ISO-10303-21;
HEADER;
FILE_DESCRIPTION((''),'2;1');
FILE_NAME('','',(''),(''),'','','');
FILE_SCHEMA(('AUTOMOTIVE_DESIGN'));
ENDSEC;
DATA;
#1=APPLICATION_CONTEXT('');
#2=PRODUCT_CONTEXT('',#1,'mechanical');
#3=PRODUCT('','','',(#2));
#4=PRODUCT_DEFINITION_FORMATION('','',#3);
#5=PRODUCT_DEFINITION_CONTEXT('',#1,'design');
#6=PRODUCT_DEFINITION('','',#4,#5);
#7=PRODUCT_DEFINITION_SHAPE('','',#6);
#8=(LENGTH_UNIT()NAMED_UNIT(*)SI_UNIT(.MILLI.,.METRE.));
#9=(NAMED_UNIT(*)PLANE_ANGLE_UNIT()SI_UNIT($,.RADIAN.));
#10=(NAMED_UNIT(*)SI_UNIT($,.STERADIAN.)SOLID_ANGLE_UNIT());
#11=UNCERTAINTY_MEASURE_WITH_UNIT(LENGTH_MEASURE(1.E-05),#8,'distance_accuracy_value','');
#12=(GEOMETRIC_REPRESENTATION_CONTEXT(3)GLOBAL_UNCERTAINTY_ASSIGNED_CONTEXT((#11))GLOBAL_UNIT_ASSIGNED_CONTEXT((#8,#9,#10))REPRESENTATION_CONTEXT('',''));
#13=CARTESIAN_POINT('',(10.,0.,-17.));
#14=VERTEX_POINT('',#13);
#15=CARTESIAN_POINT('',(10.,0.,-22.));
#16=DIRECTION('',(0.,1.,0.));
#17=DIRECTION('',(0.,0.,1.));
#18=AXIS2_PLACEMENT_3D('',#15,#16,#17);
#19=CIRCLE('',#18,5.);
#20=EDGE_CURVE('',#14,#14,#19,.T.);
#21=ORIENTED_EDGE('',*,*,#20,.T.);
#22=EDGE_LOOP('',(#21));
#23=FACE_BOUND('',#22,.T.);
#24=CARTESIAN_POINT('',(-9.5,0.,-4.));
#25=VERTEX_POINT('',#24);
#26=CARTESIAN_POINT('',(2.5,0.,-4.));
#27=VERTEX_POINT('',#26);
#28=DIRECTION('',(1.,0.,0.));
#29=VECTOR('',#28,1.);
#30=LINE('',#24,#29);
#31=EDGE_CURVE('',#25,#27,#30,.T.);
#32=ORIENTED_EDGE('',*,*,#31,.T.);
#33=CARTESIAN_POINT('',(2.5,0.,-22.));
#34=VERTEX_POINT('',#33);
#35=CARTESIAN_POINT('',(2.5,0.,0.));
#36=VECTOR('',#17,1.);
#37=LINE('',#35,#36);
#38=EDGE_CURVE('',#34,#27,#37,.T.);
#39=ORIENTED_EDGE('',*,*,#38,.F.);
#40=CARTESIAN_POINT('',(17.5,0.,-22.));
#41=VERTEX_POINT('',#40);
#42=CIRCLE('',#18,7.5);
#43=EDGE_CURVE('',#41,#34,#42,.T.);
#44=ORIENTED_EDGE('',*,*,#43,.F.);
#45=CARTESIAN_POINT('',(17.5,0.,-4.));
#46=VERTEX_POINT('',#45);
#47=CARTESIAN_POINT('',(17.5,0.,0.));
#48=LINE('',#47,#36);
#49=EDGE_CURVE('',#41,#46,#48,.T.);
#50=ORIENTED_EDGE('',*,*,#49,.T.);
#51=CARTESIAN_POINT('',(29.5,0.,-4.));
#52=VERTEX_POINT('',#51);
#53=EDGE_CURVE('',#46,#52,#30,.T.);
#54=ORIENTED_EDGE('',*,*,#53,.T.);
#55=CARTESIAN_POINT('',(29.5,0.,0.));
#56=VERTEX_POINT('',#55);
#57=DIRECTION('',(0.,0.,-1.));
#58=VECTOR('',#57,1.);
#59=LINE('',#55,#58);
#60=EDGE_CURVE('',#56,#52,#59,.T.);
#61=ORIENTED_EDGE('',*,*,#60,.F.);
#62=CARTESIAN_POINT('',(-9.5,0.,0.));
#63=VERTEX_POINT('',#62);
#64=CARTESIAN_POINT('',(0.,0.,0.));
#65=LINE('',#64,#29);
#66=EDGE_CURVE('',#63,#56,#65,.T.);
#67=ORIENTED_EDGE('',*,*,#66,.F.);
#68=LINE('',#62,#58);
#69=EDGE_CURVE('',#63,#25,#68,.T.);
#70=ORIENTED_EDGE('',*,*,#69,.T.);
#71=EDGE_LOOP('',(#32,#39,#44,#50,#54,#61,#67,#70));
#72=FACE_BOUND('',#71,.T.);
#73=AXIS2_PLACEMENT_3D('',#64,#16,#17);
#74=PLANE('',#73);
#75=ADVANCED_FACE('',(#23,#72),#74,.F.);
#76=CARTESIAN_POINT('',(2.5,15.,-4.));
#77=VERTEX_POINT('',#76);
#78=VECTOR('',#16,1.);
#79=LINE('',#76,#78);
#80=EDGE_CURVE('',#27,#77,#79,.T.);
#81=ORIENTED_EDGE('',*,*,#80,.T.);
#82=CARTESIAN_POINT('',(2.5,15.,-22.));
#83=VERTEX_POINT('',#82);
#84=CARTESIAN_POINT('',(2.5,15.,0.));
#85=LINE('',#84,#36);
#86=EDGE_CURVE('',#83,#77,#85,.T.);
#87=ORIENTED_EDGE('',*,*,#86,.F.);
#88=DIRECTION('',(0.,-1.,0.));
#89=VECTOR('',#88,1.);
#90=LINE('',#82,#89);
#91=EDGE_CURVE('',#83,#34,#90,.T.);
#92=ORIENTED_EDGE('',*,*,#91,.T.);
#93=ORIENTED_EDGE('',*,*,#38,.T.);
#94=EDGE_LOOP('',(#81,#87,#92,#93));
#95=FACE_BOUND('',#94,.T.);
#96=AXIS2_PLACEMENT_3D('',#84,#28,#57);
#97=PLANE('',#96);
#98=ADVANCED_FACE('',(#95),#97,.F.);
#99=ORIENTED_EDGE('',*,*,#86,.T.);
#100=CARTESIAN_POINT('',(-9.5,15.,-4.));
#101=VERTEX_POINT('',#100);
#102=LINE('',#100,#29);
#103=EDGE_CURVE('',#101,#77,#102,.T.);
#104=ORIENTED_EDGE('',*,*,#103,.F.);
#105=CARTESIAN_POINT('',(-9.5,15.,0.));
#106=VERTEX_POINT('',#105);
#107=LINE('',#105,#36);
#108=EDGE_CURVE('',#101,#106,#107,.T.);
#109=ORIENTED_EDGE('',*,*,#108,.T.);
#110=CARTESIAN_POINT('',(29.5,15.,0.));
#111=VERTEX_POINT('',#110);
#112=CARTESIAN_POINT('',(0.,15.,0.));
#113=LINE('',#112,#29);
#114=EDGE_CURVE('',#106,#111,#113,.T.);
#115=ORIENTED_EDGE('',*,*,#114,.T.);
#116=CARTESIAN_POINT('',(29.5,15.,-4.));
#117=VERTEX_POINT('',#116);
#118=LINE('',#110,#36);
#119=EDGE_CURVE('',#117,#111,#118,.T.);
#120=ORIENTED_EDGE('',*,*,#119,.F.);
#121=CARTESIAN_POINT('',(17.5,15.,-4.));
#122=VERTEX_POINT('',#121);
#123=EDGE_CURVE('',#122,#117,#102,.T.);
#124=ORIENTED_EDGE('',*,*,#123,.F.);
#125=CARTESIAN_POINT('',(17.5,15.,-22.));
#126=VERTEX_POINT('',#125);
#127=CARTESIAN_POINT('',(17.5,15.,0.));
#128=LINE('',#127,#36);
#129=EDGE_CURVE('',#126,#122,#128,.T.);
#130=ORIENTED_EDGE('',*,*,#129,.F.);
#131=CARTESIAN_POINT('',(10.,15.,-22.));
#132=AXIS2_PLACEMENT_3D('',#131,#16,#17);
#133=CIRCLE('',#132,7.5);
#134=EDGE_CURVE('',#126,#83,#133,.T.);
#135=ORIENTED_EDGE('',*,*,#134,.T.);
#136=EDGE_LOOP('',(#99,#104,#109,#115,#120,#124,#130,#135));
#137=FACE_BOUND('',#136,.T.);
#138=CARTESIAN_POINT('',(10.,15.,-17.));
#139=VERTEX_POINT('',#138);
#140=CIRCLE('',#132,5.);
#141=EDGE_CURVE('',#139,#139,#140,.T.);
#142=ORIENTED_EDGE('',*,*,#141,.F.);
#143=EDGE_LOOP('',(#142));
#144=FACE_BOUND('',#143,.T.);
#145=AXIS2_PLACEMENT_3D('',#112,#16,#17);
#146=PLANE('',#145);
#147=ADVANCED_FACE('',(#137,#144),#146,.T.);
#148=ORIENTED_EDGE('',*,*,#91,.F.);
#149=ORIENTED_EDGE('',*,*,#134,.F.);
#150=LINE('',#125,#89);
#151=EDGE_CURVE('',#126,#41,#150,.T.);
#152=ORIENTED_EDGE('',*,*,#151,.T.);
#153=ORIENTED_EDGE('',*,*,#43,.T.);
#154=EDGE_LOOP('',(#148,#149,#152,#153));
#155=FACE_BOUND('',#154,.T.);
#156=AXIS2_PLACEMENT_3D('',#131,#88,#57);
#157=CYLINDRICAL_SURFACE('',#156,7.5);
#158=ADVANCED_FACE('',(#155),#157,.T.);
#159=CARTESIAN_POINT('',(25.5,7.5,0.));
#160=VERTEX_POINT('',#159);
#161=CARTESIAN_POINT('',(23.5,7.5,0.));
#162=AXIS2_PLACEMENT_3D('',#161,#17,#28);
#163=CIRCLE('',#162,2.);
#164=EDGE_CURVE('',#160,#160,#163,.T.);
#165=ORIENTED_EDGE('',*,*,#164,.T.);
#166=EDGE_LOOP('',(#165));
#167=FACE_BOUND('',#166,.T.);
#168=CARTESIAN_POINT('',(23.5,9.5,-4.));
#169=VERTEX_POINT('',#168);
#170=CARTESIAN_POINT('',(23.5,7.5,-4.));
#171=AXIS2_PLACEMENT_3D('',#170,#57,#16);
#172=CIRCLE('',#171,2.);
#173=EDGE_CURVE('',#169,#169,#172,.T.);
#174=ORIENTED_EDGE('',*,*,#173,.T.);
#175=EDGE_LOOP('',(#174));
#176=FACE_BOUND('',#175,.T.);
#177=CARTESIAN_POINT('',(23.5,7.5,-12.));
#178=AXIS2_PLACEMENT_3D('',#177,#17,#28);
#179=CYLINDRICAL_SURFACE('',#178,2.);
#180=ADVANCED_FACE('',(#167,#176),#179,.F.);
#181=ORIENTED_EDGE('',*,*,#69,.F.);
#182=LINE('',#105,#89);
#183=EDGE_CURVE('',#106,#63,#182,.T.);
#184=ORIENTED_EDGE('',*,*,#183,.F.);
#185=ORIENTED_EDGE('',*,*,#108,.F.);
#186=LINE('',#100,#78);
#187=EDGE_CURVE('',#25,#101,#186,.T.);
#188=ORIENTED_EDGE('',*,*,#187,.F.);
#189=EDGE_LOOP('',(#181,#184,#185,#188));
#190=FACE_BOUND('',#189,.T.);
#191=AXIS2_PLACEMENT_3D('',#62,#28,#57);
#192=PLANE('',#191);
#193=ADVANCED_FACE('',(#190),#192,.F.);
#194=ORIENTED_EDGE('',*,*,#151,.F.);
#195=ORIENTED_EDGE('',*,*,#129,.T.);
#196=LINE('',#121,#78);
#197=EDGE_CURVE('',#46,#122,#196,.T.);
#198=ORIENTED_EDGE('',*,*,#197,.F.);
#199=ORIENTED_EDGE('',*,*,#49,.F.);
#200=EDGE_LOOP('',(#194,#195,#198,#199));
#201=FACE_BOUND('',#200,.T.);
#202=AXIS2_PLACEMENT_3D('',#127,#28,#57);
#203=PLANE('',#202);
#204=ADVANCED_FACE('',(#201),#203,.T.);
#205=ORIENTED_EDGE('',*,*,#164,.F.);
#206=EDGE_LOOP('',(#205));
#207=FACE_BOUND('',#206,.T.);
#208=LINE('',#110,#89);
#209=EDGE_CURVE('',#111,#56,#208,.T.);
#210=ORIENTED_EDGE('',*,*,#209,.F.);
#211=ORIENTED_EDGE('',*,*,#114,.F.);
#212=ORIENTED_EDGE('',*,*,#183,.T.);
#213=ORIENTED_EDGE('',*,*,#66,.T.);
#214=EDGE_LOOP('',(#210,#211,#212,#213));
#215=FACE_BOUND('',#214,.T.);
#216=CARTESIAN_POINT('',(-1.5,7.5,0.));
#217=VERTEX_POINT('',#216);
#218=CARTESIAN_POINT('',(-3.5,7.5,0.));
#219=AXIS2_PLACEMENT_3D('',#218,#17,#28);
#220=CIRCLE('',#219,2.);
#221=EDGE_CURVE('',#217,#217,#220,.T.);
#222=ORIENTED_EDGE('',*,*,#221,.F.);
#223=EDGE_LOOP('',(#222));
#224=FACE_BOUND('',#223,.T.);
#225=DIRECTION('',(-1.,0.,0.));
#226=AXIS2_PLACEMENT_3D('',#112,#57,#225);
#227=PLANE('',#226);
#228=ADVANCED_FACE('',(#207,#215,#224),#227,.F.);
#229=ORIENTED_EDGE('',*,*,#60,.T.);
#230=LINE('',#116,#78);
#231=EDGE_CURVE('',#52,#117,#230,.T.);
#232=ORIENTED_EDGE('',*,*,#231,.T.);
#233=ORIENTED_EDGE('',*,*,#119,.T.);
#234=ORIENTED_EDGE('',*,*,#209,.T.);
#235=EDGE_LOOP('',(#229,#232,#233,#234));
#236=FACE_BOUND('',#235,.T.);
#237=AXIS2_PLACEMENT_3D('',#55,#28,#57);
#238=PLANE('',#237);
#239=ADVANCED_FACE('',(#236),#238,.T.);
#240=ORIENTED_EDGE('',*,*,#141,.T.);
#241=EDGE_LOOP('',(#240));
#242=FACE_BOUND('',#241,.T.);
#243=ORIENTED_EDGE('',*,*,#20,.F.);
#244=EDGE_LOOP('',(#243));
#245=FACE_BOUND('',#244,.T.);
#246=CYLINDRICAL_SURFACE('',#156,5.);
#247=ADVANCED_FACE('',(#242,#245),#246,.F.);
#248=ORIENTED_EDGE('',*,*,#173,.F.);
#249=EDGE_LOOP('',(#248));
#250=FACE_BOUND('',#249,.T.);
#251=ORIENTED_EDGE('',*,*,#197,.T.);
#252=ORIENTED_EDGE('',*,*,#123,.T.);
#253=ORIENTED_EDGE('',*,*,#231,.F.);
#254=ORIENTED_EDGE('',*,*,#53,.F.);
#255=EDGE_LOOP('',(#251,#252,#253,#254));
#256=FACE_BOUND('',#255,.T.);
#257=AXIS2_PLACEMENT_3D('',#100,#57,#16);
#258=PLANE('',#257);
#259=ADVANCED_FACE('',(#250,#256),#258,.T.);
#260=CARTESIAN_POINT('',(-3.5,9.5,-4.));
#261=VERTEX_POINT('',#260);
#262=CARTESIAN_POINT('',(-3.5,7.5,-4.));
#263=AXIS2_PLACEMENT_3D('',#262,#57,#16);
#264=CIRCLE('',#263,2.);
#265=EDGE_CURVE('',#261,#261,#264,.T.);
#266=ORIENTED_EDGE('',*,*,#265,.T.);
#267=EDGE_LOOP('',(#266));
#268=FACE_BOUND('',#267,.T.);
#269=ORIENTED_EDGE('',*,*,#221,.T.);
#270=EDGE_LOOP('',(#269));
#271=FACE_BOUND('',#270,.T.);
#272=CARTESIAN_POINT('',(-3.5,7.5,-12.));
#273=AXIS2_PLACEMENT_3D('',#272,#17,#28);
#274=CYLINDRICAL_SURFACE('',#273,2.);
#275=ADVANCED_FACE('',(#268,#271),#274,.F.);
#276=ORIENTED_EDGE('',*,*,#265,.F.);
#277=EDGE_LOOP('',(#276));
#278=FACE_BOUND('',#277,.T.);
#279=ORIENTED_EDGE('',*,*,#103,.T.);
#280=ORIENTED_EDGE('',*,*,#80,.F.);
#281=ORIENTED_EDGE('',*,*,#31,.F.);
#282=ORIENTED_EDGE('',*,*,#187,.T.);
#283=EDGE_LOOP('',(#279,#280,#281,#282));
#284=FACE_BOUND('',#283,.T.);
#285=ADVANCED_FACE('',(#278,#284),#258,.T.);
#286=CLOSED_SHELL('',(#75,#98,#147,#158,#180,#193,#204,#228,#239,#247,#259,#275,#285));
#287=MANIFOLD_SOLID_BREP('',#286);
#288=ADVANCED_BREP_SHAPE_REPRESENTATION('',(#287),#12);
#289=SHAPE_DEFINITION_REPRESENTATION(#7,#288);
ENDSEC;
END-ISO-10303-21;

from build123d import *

# Parameters (mm, degrees)
BOSS_EXTRU_1_DEPTH      = 15
BOSS_EXTRU_2_DEPTH      = 12
BOSS_EXTRU_2_DEPTH_BACK = 27
ESQUISSE2_W             = 4
ESQUISSE2_H             = 15
ESQUISSE3_R             = 2
ENL_V_MAT_EXTRU_1_DEPTH = 12


with BuildPart() as part:
    # Esquisse1 → Boss.-Extru.1 (new body)
    with BuildSketch(Plane(origin=(0, 0, 0), x_dir=(1, 0, 0), z_dir=(0, 1, 0))):
        with BuildLine():
            ThreePointArc((17.5, 22), (10, 29.5), (2.5, 22))
            Line((2.5, 22), (5, 22))
            ThreePointArc((5, 22), (10, 27), (15, 22))
            Line((15, 22), (17.5, 22))
        make_face()
        with BuildLine():
            Line((5, 22), (2.5, 22))
            ThreePointArc((2.5, 22), (10, 14.5), (17.5, 22))
            Line((17.5, 22), (15, 22))
            ThreePointArc((15, 22), (10, 17), (5, 22))
        make_face()
        with BuildLine():
            Line((2.5, 22), (2.5, 0))
            Line((2.5, 0), (17.5, 0))
            Line((17.5, 0), (17.5, 22))
            ThreePointArc((17.5, 22), (10, 14.5), (2.5, 22))
        make_face()
    extrude(amount=BOSS_EXTRU_1_DEPTH)

    # Esquisse2 → Boss.-Extru.2 (add, two sides: drawn at the far end of the back side and taken through both)
    with BuildSketch(Plane(origin=(17.5, 0, 0), x_dir=(0, 0, -1), z_dir=(1, 0, 0)).offset(-BOSS_EXTRU_2_DEPTH_BACK)):
        with Locations((2, 7.5)):
            Rectangle(ESQUISSE2_W, ESQUISSE2_H)
    extrude(amount=BOSS_EXTRU_2_DEPTH + BOSS_EXTRU_2_DEPTH_BACK)

    # Esquisse3 → Enlèv. mat.-Extru.1 (cut)
    with BuildSketch(Plane.XY):
        with Locations((-3.5, 7.5)):
            Circle(ESQUISSE3_R)
        with Locations((23.5, 7.5)):
            Circle(ESQUISSE3_R)
    extrude(amount=-ENL_V_MAT_EXTRU_1_DEPTH, mode=Mode.SUBTRACT)


solid = part.part
